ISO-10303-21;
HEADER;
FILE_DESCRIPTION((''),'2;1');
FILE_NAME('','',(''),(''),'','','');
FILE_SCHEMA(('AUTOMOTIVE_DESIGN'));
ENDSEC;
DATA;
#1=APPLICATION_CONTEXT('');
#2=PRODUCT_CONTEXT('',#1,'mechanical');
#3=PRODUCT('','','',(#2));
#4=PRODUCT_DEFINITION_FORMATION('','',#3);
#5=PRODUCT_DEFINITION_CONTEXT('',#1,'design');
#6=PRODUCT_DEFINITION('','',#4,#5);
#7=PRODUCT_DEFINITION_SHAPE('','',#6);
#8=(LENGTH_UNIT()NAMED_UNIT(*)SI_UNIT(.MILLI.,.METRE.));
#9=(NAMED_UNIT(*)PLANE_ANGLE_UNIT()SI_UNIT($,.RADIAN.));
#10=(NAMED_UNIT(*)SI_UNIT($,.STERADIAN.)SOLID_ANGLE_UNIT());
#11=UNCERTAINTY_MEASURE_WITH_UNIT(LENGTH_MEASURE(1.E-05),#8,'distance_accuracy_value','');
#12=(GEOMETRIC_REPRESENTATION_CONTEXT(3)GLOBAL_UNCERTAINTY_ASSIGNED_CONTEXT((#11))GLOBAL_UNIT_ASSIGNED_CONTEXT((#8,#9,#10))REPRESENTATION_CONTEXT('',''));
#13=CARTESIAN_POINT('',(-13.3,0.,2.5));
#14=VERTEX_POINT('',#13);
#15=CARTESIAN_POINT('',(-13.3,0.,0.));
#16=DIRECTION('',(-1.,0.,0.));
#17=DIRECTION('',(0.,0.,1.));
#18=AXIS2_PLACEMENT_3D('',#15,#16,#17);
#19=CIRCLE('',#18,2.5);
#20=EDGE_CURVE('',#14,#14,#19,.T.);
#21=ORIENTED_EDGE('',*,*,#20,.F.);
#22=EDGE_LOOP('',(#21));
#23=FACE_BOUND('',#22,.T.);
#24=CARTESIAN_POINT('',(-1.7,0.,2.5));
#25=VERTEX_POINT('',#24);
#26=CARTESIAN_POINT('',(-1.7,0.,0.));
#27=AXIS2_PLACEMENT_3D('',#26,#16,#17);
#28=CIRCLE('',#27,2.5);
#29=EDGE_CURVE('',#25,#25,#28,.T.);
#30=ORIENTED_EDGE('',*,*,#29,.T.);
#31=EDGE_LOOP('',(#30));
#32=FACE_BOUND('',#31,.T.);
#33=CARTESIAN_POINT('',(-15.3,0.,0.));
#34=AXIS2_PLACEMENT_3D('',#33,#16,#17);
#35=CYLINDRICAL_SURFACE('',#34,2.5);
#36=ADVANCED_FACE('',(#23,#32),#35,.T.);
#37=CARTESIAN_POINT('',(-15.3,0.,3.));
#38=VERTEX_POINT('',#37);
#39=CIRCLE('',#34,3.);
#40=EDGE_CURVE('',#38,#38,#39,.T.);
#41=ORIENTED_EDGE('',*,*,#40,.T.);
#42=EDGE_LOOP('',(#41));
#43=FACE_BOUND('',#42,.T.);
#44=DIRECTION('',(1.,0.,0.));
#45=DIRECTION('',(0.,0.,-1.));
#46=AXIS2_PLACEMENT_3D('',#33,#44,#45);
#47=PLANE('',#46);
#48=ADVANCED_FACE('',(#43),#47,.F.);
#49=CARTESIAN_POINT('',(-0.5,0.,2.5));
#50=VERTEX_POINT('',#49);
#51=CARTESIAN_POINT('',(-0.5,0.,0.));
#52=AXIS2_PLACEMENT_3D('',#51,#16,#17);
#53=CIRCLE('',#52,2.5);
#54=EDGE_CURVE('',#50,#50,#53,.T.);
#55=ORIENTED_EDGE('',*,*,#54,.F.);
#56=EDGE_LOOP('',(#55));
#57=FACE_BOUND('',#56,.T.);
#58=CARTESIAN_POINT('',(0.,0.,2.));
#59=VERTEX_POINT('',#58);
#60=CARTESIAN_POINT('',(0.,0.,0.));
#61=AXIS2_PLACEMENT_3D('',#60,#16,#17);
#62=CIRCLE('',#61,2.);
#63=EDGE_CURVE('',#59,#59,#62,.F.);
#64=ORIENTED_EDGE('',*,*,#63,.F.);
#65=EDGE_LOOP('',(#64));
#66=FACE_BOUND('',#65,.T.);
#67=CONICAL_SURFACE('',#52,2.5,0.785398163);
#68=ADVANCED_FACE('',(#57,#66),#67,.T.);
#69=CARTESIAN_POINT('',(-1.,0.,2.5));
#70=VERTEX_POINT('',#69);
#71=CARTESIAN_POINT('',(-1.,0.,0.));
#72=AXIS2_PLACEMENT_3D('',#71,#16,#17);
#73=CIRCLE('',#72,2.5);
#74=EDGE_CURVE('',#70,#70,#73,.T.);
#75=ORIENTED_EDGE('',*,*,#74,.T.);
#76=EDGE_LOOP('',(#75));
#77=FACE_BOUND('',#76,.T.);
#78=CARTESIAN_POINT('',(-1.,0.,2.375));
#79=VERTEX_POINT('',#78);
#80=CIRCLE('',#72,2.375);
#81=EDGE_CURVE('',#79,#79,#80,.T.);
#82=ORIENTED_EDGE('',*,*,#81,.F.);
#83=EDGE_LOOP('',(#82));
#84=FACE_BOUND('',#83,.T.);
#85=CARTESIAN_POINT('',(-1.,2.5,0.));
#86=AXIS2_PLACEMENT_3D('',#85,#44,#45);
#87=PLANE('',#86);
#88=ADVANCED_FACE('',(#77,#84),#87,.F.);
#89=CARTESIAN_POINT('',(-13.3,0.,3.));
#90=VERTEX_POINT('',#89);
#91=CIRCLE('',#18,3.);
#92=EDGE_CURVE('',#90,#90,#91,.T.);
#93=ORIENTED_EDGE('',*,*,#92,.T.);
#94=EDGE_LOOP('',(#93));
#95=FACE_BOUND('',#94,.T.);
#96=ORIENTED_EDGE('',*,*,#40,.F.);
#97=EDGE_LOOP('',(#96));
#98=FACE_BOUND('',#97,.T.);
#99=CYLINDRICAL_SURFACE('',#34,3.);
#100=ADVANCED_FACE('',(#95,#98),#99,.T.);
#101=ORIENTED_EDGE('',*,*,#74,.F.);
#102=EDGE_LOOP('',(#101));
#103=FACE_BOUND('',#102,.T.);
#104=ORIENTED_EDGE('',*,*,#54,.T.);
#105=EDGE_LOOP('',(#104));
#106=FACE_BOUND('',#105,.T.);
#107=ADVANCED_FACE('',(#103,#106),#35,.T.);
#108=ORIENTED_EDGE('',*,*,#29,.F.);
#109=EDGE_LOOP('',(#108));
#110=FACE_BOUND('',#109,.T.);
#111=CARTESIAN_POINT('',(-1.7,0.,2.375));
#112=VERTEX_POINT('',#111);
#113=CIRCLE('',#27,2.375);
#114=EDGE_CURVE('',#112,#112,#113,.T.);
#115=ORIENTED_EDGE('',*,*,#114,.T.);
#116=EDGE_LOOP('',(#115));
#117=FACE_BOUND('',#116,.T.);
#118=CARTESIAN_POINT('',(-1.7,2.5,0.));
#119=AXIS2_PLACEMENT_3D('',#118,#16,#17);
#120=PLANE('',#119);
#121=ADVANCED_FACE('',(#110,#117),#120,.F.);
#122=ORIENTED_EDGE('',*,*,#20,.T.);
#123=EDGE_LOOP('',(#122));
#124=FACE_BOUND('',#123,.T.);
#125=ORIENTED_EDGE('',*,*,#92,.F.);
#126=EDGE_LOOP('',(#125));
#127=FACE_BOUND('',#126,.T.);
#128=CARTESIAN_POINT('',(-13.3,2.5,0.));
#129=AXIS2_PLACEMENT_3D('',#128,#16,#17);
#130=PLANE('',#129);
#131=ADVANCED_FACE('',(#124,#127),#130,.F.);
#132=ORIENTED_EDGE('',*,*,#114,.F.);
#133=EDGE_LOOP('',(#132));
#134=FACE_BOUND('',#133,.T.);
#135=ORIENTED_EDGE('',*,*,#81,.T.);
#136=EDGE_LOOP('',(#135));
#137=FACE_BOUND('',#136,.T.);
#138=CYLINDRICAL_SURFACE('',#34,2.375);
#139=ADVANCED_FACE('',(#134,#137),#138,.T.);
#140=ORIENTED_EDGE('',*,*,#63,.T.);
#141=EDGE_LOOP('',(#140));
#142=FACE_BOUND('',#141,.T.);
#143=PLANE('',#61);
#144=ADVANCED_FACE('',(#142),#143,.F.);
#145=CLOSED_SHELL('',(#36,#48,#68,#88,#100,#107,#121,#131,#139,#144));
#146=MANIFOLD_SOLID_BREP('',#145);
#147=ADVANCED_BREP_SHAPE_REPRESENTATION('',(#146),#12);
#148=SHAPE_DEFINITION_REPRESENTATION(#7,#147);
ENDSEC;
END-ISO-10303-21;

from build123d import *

# Parameters (mm, degrees)
CHAMFER_1_SIZE = 0.5


with BuildPart() as part:
    # 草图1 → 旋转1 (revolve)
    with BuildSketch(Plane.XY, mode=Mode.PRIVATE) as revolve_1_sk:
        Polygon((-15.3, 0), (0, 0), (0, 2.5), (-1, 2.5), (-1, 2.375), (-1.7, 2.375), (-1.7, 2.5), (-13.3, 2.5), (-13.3, 3), (-15.3, 3), align=None)
    revolve(revolve_1_sk.sketch.rotate(Axis((-15.3, 0, 0), (1, 0, 0)), 90), axis=Axis((-15.3, 0, 0), (1, 0, 0)))

    # 倒角1
    chamfer_1_edges = [part.edges().sort_by_distance(p)[0] for p in [
        (0, 0, -2.5),
    ]]
    chamfer(chamfer_1_edges, length=CHAMFER_1_SIZE)


solid = part.part
